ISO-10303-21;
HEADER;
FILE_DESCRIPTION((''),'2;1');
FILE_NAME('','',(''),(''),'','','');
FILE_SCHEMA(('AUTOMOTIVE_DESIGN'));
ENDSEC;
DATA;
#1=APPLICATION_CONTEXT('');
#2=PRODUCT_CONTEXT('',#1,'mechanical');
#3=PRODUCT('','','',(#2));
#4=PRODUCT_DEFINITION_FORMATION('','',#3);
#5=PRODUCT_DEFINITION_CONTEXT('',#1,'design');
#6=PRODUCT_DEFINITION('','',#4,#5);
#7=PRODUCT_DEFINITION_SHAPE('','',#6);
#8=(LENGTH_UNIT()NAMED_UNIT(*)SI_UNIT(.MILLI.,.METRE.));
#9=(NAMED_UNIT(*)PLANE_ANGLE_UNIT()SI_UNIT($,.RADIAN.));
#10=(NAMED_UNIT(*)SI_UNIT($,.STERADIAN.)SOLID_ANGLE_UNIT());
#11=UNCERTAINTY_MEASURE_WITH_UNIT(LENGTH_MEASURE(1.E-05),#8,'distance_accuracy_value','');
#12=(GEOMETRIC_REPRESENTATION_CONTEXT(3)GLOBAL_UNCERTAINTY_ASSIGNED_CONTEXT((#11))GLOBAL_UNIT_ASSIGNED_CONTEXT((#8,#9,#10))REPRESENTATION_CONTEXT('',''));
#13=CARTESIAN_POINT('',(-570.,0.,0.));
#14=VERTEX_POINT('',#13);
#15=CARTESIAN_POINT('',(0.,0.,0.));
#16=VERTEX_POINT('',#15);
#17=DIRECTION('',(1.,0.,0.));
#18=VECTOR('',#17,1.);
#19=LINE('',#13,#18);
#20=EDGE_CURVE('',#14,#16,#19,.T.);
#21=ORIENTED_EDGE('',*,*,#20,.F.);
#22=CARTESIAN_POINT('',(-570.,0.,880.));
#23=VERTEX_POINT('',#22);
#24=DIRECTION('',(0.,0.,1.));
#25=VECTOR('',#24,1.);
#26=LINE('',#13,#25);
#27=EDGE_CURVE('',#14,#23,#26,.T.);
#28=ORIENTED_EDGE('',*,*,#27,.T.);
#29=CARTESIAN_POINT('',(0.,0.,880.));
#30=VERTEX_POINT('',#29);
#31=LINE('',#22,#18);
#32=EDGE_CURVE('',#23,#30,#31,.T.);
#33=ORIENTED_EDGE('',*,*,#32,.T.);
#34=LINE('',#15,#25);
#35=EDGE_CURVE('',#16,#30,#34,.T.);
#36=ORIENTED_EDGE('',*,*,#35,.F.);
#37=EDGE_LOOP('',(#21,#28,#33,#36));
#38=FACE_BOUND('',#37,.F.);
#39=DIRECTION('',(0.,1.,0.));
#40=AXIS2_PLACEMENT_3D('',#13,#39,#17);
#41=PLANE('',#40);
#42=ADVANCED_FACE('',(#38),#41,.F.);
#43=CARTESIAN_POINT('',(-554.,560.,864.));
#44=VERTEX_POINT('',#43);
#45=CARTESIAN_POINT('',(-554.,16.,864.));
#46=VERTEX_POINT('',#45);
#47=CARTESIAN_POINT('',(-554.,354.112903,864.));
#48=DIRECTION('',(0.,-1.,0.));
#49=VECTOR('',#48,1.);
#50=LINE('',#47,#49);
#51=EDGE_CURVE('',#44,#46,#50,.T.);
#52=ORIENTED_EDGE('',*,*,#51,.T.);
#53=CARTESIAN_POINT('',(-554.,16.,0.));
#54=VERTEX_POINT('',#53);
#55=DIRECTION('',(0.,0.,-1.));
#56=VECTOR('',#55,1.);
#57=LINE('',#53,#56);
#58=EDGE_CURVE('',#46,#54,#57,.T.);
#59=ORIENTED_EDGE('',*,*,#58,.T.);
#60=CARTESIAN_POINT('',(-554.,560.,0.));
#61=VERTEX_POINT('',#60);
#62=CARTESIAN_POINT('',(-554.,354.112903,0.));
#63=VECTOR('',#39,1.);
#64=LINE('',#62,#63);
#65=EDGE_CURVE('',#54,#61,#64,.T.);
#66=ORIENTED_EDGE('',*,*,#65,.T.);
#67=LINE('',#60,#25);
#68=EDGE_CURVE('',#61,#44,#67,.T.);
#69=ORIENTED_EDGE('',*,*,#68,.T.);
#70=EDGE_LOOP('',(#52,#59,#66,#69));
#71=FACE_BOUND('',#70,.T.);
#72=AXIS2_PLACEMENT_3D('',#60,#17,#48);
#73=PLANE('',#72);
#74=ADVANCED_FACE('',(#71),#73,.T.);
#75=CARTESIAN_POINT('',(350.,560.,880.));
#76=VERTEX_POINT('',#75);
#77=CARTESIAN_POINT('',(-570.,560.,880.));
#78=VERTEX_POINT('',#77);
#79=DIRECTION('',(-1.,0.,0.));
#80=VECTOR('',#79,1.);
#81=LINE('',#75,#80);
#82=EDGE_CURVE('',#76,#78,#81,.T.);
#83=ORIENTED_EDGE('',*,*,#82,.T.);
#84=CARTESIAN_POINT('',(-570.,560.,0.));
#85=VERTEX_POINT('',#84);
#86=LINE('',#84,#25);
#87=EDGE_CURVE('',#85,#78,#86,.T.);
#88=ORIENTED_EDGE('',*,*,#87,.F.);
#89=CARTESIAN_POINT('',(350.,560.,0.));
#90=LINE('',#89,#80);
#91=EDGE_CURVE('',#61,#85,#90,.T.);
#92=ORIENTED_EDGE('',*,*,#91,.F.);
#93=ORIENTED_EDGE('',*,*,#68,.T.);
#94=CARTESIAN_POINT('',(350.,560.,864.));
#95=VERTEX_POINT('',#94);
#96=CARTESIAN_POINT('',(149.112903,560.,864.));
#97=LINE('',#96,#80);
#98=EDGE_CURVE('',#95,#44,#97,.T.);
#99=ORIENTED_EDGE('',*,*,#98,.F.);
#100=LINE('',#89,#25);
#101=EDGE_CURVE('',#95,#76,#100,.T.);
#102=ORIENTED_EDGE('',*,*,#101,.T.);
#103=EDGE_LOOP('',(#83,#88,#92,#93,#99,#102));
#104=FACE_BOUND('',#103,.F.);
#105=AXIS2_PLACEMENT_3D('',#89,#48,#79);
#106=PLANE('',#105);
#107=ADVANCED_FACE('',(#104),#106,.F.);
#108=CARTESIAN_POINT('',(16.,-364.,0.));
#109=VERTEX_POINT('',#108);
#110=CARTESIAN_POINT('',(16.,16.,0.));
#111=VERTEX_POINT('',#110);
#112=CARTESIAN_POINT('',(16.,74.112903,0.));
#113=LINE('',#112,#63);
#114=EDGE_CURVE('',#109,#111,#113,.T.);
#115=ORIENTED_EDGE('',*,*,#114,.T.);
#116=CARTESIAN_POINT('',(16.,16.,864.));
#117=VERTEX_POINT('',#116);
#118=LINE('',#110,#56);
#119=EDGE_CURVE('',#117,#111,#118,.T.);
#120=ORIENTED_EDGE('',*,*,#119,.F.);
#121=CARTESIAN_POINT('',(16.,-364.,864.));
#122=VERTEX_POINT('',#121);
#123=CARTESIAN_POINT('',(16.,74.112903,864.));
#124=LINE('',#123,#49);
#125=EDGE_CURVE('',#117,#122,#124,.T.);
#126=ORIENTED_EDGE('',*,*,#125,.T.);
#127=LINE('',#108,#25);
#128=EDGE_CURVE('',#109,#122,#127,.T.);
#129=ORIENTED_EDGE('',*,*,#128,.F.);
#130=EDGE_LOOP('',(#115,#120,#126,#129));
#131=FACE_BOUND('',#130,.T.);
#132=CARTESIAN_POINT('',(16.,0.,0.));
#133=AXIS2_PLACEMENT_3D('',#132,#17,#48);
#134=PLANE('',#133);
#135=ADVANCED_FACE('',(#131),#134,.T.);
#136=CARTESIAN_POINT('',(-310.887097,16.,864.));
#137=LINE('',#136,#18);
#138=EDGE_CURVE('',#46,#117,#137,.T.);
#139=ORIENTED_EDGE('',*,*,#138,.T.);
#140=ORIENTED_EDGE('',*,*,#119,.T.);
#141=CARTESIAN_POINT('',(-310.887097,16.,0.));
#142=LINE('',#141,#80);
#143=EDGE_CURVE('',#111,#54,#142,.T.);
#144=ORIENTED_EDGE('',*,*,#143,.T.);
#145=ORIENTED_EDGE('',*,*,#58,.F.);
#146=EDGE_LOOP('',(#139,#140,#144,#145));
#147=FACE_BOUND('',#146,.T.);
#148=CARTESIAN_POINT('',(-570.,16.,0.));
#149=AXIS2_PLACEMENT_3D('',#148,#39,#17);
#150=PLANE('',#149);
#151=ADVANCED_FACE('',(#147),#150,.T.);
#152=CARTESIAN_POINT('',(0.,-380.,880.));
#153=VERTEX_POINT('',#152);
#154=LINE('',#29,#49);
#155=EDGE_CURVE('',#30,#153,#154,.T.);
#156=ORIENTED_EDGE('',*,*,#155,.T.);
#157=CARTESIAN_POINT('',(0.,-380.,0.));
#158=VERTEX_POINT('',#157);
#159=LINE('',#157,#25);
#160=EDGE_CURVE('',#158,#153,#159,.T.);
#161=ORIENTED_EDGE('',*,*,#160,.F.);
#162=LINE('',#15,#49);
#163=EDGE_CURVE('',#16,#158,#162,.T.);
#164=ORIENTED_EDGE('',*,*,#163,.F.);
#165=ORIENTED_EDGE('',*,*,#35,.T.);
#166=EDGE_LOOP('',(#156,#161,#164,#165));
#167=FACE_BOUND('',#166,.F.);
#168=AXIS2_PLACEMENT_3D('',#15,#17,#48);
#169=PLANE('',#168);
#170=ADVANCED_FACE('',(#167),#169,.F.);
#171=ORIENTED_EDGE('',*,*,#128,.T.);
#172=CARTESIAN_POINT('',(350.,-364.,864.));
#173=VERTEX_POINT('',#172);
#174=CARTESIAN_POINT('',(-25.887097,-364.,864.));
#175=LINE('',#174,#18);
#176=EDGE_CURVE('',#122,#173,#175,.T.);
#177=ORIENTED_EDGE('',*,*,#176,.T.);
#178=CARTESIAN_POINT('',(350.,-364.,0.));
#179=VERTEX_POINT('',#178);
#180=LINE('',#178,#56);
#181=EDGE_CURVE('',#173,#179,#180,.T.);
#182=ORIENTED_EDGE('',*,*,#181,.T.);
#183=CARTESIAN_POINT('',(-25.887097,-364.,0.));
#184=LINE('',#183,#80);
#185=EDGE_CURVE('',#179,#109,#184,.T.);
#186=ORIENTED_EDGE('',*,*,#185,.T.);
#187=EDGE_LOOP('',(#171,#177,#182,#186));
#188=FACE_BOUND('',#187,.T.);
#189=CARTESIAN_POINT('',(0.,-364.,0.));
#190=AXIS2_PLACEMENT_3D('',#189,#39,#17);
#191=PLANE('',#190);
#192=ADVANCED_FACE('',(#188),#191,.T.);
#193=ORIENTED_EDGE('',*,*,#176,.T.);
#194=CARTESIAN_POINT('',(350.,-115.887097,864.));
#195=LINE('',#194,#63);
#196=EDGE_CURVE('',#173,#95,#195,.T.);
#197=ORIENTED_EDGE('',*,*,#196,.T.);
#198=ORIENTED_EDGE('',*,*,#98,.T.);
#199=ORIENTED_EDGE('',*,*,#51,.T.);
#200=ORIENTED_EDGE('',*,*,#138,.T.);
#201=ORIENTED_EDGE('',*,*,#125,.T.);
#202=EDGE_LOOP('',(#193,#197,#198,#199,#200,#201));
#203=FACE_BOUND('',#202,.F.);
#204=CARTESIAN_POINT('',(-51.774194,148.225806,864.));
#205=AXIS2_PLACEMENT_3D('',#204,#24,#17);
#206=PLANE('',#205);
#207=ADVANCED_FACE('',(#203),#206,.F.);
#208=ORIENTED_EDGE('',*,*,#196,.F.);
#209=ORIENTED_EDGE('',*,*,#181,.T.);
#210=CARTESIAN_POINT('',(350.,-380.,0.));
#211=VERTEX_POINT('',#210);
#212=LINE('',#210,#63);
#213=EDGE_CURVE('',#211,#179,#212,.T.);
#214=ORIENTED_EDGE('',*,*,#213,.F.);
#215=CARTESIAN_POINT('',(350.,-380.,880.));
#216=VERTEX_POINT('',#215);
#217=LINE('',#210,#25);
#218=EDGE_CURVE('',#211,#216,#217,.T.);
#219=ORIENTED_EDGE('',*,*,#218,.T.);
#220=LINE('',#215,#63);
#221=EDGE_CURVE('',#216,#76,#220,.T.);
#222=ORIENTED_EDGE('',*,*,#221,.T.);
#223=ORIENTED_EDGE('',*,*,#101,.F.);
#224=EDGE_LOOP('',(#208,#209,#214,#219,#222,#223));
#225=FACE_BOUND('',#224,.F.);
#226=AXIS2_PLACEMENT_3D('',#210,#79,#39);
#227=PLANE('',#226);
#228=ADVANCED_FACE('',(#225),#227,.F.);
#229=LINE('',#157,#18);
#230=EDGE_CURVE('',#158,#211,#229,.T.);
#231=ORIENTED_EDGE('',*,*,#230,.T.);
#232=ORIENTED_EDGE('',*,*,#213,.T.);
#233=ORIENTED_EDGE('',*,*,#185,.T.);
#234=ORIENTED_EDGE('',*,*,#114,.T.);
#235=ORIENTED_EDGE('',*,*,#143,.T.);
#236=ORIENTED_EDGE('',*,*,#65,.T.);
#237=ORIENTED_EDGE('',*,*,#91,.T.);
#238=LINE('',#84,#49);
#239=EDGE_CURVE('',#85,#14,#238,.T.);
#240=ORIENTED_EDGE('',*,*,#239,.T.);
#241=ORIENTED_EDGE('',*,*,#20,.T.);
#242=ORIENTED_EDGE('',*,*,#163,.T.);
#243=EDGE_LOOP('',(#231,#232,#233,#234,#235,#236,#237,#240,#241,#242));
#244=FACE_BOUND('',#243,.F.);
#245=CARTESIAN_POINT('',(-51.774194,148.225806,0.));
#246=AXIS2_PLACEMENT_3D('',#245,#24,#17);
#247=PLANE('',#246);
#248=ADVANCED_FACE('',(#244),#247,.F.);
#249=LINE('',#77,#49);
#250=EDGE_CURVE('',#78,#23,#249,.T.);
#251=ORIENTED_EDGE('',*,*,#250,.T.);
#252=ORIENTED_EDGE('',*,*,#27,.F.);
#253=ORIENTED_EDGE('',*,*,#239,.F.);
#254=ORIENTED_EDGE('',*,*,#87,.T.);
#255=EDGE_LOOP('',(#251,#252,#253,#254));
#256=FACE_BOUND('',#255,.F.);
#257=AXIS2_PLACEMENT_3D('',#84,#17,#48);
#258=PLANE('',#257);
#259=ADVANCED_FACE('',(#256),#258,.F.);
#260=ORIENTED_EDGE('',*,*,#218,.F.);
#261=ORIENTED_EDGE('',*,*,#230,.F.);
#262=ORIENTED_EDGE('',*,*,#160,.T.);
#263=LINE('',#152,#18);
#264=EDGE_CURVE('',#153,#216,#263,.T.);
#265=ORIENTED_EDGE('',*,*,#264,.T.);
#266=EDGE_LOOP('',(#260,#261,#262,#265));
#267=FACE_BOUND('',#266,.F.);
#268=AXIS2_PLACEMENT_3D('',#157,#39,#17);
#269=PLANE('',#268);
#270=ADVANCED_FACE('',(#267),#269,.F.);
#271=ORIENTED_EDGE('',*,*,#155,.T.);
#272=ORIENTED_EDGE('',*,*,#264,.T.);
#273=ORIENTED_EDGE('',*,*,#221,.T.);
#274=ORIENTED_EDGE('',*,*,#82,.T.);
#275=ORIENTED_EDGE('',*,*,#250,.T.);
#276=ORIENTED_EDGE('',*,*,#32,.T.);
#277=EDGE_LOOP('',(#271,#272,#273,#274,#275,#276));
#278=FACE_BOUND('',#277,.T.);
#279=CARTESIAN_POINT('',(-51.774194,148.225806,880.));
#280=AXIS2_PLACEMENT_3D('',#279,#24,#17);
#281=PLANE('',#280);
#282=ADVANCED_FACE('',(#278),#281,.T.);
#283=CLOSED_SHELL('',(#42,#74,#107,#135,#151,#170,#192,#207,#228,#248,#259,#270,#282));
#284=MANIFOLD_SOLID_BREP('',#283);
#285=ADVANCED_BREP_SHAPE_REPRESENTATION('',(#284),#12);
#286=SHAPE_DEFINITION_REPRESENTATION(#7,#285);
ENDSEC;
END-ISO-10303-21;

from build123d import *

# Parameters (mm, degrees)
F1_DEPTH = 880
F2_T     = -16


with BuildPart() as f1:
    # F0 (on Top) → F1 (new body)
    with BuildSketch(Plane.XY):
        Polygon((-570, 0), (0, 0), (0, -380), (350, -380), (350, 560), (-570, 560), align=None)
    extrude(amount=F1_DEPTH)

    # F2
    f2_openings = [f1.faces().sort_by_distance(p)[0] for p in [
        (-110, 560, 440),
        (350, 90, 440),
        (-51.522678, 183.563715, 0),
    ]]
    offset(amount=F2_T, openings=f2_openings, kind=Kind.INTERSECTION)


solid = f1.part
